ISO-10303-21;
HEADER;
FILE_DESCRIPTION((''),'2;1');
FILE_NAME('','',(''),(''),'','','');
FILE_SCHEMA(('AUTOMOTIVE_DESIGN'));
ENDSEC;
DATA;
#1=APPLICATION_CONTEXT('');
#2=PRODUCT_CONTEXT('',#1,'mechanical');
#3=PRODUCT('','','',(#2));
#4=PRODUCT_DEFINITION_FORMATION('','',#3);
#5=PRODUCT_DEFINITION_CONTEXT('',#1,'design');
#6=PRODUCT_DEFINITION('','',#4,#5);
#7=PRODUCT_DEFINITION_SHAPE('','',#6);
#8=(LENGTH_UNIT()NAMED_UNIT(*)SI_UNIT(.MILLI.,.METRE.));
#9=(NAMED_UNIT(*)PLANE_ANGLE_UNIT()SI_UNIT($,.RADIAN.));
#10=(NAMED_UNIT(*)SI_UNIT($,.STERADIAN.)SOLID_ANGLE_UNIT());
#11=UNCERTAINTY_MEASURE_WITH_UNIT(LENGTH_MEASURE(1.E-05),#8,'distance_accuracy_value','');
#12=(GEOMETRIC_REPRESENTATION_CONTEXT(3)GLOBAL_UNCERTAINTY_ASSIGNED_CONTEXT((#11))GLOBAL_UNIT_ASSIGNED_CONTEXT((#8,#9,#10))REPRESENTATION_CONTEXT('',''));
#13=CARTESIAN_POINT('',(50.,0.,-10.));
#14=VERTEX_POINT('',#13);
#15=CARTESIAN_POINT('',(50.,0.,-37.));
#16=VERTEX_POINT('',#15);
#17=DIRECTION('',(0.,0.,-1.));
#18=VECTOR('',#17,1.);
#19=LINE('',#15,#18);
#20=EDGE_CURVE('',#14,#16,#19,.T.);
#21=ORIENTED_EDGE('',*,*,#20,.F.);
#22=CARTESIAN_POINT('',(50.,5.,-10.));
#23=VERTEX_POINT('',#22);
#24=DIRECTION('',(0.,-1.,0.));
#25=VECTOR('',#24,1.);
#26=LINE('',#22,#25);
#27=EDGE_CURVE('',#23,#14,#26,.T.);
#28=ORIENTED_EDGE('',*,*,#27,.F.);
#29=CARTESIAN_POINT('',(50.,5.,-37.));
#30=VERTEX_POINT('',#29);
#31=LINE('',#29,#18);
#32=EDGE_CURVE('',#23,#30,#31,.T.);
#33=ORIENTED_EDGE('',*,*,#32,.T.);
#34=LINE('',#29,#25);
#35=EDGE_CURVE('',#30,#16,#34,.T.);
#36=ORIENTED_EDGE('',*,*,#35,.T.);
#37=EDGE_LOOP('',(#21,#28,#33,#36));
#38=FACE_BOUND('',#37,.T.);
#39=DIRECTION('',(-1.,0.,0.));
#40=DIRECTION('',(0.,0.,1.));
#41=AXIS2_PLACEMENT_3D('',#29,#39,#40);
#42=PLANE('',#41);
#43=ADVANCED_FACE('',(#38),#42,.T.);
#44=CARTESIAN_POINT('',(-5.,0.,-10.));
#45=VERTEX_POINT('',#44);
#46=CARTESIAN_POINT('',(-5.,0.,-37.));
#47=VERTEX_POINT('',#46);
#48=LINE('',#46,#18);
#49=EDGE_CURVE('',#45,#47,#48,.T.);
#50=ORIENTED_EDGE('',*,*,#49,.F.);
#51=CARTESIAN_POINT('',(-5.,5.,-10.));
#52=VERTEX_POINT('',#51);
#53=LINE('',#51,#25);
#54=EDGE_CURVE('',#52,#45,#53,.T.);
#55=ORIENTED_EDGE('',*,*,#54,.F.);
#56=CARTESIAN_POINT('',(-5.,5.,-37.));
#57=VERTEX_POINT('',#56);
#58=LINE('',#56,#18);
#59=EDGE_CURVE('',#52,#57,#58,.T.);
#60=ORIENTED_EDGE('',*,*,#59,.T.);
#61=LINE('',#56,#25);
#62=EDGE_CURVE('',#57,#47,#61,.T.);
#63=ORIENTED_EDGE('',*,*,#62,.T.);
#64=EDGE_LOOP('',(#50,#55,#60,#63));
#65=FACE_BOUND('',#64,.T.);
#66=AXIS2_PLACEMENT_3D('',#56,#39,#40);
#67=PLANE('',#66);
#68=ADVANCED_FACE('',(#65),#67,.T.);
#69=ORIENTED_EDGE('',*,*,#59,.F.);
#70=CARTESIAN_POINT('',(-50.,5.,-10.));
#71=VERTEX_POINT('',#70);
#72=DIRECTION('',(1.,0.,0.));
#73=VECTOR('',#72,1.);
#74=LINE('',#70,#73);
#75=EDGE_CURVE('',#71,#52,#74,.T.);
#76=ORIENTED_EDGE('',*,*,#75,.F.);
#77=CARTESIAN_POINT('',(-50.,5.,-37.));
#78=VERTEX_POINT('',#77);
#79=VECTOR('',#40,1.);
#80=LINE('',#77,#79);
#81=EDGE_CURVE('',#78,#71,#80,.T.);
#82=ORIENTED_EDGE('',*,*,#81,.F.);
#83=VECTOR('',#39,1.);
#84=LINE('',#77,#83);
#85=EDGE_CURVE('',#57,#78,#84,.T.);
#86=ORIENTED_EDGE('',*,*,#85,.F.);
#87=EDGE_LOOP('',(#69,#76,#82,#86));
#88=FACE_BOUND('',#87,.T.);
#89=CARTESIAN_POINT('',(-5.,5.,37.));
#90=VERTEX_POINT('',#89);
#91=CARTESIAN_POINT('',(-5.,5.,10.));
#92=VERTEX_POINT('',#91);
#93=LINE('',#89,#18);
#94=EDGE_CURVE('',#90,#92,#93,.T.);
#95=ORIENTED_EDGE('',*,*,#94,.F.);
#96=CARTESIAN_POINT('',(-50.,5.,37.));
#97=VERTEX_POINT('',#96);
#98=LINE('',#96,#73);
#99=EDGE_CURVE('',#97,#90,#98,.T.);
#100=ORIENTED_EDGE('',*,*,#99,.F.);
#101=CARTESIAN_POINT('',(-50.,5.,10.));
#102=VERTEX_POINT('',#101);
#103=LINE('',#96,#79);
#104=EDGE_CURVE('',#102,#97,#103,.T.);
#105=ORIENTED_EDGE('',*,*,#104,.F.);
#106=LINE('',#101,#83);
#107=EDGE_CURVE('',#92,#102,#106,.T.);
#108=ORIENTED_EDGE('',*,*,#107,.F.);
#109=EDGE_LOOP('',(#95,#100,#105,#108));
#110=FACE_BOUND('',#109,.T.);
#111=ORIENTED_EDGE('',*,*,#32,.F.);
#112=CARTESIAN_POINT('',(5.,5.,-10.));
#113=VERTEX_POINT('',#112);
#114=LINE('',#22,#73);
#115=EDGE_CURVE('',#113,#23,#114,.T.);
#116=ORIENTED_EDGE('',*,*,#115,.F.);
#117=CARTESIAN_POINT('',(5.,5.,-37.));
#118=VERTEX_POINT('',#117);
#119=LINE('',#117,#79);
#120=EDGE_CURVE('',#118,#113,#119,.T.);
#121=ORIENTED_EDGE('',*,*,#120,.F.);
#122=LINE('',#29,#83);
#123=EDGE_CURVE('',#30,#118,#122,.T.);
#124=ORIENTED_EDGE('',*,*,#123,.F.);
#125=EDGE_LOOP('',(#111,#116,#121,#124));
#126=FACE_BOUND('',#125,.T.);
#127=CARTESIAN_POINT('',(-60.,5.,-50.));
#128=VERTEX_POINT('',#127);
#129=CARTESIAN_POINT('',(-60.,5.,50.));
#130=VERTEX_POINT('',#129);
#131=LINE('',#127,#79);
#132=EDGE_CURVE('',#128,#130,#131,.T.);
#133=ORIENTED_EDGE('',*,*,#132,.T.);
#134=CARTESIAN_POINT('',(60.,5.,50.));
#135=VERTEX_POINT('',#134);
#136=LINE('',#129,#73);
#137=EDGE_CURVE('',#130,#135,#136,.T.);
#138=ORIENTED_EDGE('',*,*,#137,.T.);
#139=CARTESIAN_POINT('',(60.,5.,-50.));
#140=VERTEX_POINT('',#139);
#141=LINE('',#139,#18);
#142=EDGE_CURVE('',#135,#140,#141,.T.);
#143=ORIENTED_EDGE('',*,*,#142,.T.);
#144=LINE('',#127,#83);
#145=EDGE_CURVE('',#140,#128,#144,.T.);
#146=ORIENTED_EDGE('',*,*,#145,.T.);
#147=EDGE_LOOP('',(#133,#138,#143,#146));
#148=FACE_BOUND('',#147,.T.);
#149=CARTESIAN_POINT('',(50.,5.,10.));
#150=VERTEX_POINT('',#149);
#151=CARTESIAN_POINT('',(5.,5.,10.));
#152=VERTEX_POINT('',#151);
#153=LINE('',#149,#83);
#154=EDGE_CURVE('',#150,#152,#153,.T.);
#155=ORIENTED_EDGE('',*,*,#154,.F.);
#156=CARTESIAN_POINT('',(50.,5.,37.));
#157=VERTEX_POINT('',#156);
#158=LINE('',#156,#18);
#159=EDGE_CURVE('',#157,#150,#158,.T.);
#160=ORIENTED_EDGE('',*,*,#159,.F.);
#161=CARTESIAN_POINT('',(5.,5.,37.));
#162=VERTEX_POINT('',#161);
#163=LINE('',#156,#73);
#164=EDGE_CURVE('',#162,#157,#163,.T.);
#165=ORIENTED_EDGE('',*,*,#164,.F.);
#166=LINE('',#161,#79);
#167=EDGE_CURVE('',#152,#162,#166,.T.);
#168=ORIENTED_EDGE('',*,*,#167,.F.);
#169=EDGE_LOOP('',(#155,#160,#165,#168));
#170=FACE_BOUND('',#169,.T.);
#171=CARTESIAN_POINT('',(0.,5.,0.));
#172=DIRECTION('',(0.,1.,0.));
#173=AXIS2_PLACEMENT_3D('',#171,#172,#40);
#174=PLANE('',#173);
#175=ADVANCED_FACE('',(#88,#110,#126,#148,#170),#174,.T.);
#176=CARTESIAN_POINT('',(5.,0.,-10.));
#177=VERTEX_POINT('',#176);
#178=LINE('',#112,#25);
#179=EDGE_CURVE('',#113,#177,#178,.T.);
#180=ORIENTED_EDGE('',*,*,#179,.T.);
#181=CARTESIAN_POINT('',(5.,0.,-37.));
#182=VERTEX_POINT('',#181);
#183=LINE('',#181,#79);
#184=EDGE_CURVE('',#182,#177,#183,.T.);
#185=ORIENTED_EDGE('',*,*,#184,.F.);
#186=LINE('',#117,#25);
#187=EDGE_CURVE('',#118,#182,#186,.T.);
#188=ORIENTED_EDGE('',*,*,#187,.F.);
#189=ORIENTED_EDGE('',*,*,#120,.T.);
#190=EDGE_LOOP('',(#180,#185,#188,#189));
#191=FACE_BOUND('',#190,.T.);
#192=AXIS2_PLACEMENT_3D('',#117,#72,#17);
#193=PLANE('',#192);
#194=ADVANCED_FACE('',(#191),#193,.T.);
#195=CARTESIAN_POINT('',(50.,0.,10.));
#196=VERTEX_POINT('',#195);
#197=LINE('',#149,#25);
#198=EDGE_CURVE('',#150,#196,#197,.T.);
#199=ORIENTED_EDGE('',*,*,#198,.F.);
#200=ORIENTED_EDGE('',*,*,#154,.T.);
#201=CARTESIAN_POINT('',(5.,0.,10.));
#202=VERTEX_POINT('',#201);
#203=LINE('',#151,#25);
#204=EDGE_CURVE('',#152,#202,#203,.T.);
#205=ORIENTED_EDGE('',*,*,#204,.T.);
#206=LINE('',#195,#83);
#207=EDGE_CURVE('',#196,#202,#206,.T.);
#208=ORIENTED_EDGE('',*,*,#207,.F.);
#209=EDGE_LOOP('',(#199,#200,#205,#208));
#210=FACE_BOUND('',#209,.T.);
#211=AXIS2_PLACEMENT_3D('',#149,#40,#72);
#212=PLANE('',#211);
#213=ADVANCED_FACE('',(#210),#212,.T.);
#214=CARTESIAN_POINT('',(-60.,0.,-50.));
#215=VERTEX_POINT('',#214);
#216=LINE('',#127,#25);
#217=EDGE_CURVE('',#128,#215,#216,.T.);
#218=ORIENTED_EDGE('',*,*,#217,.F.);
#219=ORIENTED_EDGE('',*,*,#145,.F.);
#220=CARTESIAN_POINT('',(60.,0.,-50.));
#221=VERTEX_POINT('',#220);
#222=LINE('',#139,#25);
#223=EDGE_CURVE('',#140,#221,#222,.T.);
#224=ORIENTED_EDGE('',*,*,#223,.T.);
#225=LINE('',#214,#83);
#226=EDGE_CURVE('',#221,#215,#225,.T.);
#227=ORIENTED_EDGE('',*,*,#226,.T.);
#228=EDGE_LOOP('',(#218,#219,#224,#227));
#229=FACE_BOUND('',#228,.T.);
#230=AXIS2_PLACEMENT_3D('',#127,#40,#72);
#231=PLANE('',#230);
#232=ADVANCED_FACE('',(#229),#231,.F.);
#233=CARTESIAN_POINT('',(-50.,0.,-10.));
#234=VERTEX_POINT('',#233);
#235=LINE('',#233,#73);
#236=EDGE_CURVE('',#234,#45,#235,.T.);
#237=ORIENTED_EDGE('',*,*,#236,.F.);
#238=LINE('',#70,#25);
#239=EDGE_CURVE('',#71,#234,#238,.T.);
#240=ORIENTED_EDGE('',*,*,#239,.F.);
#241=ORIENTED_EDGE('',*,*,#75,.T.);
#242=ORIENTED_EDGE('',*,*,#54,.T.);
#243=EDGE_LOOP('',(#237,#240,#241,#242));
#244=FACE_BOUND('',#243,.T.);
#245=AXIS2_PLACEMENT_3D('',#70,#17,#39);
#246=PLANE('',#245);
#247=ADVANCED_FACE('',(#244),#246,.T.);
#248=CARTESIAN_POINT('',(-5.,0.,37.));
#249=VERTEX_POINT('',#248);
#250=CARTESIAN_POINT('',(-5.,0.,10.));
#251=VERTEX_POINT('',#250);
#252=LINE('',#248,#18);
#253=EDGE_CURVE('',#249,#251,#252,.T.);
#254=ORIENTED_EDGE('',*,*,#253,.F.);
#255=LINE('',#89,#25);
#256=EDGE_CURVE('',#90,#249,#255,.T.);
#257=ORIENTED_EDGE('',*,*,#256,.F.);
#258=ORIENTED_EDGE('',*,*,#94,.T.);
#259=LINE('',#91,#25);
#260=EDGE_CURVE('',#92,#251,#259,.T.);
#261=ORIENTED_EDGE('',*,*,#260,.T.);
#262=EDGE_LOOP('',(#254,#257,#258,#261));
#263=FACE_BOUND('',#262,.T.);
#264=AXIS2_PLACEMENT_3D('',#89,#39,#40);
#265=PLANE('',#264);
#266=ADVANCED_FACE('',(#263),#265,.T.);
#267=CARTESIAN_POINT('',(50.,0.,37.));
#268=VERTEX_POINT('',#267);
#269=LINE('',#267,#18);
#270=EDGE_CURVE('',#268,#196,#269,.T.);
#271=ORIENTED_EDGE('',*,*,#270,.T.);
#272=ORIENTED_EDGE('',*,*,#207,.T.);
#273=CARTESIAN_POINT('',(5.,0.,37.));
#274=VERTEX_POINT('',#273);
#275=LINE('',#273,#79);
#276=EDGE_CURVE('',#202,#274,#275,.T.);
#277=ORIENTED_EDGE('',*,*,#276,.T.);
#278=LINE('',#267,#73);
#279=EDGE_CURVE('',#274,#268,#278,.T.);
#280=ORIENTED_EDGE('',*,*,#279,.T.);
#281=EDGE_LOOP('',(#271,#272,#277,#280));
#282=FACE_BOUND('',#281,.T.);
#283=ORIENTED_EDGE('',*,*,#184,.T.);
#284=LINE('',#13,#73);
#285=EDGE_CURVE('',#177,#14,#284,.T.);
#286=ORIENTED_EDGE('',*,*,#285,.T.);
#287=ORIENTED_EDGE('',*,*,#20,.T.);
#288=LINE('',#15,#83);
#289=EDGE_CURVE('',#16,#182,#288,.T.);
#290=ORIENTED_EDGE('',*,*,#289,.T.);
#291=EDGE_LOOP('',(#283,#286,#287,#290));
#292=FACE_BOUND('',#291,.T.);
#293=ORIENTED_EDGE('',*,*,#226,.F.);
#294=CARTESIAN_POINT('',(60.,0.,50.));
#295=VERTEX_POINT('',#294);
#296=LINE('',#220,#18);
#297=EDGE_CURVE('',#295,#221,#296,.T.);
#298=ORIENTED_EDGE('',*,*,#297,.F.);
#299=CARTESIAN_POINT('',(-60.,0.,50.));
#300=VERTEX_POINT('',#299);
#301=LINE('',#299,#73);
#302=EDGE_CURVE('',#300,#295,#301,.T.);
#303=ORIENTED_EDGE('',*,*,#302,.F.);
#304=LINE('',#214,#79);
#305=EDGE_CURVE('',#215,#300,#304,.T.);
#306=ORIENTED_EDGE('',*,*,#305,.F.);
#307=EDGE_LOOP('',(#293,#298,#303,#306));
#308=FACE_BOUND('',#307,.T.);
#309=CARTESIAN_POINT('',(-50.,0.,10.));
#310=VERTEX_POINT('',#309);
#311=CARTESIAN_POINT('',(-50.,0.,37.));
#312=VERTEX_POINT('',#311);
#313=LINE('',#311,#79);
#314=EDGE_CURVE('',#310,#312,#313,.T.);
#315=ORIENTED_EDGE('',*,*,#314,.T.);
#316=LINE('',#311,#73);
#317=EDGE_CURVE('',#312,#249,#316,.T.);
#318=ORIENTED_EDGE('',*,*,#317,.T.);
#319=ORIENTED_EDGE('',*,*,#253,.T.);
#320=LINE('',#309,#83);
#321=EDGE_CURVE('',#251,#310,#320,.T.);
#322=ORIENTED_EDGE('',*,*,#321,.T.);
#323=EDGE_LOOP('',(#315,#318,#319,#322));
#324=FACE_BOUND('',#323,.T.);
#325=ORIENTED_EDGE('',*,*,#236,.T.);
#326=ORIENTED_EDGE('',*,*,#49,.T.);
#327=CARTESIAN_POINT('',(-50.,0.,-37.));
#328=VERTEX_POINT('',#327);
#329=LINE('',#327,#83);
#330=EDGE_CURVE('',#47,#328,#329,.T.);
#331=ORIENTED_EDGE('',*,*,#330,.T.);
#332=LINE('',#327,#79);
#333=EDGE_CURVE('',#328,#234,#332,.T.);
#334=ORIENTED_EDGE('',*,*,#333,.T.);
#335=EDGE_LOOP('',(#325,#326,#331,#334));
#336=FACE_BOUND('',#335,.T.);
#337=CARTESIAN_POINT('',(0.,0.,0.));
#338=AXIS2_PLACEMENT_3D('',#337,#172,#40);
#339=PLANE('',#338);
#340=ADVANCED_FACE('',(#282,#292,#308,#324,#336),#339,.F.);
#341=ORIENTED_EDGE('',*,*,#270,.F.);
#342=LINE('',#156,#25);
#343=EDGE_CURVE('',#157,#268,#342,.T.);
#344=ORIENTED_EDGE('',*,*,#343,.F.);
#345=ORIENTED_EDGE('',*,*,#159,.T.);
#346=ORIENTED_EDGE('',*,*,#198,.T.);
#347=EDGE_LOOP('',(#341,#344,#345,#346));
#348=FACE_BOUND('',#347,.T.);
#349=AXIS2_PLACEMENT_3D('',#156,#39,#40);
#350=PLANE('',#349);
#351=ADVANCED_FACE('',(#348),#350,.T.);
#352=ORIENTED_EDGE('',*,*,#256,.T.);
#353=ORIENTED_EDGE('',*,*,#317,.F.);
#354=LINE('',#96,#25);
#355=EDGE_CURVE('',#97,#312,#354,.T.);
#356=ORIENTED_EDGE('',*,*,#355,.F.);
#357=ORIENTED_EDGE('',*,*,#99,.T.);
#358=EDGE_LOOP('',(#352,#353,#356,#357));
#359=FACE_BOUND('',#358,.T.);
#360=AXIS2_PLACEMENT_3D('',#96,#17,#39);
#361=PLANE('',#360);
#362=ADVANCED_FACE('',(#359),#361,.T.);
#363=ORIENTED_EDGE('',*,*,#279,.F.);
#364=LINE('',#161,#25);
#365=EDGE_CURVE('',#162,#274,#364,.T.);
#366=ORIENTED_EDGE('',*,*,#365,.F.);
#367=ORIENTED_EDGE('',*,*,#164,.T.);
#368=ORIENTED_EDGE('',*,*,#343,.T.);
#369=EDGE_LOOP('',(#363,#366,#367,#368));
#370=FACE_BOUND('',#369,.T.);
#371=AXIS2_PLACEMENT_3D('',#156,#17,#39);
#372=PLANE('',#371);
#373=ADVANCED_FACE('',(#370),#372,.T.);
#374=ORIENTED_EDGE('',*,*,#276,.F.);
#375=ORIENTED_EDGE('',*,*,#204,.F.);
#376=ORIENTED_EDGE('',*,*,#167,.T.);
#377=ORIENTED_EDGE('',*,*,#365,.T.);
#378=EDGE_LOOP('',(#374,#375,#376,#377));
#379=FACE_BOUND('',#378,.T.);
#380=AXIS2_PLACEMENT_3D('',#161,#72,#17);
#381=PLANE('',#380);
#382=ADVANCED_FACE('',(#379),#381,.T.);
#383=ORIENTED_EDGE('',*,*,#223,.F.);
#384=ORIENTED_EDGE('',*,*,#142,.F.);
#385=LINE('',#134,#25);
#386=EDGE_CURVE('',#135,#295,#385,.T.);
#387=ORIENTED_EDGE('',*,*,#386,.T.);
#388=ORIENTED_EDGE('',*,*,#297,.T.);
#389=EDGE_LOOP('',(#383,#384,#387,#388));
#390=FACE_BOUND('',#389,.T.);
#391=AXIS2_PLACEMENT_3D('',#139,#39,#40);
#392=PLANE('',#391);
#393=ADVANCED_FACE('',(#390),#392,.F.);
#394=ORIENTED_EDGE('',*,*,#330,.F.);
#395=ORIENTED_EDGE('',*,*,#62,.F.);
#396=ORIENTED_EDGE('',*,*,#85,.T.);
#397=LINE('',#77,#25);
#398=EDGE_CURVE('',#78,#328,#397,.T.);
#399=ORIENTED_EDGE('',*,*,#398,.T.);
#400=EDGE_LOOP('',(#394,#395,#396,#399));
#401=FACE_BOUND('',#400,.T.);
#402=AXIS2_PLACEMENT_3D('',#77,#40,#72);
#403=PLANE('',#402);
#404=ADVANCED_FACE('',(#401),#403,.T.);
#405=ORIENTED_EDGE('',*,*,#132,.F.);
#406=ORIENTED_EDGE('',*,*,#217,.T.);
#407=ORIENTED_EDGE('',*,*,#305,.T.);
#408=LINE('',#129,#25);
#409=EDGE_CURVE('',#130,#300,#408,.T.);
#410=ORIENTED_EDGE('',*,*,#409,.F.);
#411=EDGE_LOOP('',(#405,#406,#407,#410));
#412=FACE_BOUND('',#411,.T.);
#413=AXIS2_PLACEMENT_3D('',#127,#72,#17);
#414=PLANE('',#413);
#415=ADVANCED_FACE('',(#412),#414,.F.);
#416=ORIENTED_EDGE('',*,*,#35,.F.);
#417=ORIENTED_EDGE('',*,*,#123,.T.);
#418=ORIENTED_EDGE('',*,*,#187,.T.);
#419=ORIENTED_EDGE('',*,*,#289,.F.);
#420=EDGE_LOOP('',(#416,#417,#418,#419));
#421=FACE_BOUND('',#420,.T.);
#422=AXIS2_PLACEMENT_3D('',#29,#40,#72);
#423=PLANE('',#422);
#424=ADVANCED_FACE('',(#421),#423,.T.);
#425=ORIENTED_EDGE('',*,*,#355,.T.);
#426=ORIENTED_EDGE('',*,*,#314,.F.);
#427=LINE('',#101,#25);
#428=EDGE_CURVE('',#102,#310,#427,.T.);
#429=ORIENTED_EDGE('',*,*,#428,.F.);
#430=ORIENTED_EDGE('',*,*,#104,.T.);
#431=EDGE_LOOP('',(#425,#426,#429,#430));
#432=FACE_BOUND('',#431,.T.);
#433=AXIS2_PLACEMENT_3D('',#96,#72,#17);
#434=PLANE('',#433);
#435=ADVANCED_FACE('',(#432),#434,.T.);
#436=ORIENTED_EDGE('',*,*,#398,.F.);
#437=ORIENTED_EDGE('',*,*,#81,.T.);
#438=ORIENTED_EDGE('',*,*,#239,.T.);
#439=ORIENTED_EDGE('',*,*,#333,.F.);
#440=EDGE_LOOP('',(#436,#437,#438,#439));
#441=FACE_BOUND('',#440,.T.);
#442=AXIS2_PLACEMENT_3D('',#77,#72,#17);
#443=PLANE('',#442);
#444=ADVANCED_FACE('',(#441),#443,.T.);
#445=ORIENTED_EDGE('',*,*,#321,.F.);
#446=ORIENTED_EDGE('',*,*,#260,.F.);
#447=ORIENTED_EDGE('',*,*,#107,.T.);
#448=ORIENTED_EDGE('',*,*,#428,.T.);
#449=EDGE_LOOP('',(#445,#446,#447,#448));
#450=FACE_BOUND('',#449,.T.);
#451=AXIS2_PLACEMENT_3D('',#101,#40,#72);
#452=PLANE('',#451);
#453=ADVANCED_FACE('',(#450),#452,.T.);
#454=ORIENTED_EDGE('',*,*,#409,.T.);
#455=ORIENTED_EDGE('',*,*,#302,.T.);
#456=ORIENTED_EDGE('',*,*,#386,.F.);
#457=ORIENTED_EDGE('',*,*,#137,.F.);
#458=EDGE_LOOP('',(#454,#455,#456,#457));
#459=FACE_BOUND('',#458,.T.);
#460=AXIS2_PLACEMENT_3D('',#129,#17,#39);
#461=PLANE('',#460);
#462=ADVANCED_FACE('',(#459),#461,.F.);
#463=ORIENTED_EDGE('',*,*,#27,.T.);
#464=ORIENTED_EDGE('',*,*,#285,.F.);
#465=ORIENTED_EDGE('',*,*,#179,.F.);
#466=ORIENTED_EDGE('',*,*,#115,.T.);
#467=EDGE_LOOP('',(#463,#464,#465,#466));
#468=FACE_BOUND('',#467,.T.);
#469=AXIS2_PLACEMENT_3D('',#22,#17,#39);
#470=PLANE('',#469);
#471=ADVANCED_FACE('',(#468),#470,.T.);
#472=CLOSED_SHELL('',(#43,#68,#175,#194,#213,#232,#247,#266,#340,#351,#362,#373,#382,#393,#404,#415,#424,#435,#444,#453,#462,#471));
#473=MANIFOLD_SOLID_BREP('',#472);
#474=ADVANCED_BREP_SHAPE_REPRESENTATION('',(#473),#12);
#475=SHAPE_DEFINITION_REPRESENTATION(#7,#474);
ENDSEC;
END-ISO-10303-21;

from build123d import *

# Parameters (mm, degrees)
SKETCH1_W           = 120
SKETCH1_H           = 100
SKETCH1_W_2         = 45
SKETCH1_H_2         = 27
BOSS_EXTRUDE1_DEPTH = 5


with BuildPart() as part:
    # Sketch1 → Boss-Extrude1 (new body)
    with BuildSketch(Plane(origin=(0, 0, 0), x_dir=(1, 0, 0), z_dir=(0, 1, 0))):
        Rectangle(SKETCH1_W, SKETCH1_H)
        with Locations((-27.5, 23.5)):
            Rectangle(SKETCH1_W_2, SKETCH1_H_2, mode=Mode.SUBTRACT)
        with Locations((27.5, 23.5)):
            Rectangle(SKETCH1_W_2, SKETCH1_H_2, mode=Mode.SUBTRACT)
        with Locations((-27.5, -23.5)):
            Rectangle(SKETCH1_W_2, SKETCH1_H_2, mode=Mode.SUBTRACT)
        with Locations((27.5, -23.5)):
            Rectangle(SKETCH1_W_2, SKETCH1_H_2, mode=Mode.SUBTRACT)
    extrude(amount=BOSS_EXTRUDE1_DEPTH)


solid = part.part
